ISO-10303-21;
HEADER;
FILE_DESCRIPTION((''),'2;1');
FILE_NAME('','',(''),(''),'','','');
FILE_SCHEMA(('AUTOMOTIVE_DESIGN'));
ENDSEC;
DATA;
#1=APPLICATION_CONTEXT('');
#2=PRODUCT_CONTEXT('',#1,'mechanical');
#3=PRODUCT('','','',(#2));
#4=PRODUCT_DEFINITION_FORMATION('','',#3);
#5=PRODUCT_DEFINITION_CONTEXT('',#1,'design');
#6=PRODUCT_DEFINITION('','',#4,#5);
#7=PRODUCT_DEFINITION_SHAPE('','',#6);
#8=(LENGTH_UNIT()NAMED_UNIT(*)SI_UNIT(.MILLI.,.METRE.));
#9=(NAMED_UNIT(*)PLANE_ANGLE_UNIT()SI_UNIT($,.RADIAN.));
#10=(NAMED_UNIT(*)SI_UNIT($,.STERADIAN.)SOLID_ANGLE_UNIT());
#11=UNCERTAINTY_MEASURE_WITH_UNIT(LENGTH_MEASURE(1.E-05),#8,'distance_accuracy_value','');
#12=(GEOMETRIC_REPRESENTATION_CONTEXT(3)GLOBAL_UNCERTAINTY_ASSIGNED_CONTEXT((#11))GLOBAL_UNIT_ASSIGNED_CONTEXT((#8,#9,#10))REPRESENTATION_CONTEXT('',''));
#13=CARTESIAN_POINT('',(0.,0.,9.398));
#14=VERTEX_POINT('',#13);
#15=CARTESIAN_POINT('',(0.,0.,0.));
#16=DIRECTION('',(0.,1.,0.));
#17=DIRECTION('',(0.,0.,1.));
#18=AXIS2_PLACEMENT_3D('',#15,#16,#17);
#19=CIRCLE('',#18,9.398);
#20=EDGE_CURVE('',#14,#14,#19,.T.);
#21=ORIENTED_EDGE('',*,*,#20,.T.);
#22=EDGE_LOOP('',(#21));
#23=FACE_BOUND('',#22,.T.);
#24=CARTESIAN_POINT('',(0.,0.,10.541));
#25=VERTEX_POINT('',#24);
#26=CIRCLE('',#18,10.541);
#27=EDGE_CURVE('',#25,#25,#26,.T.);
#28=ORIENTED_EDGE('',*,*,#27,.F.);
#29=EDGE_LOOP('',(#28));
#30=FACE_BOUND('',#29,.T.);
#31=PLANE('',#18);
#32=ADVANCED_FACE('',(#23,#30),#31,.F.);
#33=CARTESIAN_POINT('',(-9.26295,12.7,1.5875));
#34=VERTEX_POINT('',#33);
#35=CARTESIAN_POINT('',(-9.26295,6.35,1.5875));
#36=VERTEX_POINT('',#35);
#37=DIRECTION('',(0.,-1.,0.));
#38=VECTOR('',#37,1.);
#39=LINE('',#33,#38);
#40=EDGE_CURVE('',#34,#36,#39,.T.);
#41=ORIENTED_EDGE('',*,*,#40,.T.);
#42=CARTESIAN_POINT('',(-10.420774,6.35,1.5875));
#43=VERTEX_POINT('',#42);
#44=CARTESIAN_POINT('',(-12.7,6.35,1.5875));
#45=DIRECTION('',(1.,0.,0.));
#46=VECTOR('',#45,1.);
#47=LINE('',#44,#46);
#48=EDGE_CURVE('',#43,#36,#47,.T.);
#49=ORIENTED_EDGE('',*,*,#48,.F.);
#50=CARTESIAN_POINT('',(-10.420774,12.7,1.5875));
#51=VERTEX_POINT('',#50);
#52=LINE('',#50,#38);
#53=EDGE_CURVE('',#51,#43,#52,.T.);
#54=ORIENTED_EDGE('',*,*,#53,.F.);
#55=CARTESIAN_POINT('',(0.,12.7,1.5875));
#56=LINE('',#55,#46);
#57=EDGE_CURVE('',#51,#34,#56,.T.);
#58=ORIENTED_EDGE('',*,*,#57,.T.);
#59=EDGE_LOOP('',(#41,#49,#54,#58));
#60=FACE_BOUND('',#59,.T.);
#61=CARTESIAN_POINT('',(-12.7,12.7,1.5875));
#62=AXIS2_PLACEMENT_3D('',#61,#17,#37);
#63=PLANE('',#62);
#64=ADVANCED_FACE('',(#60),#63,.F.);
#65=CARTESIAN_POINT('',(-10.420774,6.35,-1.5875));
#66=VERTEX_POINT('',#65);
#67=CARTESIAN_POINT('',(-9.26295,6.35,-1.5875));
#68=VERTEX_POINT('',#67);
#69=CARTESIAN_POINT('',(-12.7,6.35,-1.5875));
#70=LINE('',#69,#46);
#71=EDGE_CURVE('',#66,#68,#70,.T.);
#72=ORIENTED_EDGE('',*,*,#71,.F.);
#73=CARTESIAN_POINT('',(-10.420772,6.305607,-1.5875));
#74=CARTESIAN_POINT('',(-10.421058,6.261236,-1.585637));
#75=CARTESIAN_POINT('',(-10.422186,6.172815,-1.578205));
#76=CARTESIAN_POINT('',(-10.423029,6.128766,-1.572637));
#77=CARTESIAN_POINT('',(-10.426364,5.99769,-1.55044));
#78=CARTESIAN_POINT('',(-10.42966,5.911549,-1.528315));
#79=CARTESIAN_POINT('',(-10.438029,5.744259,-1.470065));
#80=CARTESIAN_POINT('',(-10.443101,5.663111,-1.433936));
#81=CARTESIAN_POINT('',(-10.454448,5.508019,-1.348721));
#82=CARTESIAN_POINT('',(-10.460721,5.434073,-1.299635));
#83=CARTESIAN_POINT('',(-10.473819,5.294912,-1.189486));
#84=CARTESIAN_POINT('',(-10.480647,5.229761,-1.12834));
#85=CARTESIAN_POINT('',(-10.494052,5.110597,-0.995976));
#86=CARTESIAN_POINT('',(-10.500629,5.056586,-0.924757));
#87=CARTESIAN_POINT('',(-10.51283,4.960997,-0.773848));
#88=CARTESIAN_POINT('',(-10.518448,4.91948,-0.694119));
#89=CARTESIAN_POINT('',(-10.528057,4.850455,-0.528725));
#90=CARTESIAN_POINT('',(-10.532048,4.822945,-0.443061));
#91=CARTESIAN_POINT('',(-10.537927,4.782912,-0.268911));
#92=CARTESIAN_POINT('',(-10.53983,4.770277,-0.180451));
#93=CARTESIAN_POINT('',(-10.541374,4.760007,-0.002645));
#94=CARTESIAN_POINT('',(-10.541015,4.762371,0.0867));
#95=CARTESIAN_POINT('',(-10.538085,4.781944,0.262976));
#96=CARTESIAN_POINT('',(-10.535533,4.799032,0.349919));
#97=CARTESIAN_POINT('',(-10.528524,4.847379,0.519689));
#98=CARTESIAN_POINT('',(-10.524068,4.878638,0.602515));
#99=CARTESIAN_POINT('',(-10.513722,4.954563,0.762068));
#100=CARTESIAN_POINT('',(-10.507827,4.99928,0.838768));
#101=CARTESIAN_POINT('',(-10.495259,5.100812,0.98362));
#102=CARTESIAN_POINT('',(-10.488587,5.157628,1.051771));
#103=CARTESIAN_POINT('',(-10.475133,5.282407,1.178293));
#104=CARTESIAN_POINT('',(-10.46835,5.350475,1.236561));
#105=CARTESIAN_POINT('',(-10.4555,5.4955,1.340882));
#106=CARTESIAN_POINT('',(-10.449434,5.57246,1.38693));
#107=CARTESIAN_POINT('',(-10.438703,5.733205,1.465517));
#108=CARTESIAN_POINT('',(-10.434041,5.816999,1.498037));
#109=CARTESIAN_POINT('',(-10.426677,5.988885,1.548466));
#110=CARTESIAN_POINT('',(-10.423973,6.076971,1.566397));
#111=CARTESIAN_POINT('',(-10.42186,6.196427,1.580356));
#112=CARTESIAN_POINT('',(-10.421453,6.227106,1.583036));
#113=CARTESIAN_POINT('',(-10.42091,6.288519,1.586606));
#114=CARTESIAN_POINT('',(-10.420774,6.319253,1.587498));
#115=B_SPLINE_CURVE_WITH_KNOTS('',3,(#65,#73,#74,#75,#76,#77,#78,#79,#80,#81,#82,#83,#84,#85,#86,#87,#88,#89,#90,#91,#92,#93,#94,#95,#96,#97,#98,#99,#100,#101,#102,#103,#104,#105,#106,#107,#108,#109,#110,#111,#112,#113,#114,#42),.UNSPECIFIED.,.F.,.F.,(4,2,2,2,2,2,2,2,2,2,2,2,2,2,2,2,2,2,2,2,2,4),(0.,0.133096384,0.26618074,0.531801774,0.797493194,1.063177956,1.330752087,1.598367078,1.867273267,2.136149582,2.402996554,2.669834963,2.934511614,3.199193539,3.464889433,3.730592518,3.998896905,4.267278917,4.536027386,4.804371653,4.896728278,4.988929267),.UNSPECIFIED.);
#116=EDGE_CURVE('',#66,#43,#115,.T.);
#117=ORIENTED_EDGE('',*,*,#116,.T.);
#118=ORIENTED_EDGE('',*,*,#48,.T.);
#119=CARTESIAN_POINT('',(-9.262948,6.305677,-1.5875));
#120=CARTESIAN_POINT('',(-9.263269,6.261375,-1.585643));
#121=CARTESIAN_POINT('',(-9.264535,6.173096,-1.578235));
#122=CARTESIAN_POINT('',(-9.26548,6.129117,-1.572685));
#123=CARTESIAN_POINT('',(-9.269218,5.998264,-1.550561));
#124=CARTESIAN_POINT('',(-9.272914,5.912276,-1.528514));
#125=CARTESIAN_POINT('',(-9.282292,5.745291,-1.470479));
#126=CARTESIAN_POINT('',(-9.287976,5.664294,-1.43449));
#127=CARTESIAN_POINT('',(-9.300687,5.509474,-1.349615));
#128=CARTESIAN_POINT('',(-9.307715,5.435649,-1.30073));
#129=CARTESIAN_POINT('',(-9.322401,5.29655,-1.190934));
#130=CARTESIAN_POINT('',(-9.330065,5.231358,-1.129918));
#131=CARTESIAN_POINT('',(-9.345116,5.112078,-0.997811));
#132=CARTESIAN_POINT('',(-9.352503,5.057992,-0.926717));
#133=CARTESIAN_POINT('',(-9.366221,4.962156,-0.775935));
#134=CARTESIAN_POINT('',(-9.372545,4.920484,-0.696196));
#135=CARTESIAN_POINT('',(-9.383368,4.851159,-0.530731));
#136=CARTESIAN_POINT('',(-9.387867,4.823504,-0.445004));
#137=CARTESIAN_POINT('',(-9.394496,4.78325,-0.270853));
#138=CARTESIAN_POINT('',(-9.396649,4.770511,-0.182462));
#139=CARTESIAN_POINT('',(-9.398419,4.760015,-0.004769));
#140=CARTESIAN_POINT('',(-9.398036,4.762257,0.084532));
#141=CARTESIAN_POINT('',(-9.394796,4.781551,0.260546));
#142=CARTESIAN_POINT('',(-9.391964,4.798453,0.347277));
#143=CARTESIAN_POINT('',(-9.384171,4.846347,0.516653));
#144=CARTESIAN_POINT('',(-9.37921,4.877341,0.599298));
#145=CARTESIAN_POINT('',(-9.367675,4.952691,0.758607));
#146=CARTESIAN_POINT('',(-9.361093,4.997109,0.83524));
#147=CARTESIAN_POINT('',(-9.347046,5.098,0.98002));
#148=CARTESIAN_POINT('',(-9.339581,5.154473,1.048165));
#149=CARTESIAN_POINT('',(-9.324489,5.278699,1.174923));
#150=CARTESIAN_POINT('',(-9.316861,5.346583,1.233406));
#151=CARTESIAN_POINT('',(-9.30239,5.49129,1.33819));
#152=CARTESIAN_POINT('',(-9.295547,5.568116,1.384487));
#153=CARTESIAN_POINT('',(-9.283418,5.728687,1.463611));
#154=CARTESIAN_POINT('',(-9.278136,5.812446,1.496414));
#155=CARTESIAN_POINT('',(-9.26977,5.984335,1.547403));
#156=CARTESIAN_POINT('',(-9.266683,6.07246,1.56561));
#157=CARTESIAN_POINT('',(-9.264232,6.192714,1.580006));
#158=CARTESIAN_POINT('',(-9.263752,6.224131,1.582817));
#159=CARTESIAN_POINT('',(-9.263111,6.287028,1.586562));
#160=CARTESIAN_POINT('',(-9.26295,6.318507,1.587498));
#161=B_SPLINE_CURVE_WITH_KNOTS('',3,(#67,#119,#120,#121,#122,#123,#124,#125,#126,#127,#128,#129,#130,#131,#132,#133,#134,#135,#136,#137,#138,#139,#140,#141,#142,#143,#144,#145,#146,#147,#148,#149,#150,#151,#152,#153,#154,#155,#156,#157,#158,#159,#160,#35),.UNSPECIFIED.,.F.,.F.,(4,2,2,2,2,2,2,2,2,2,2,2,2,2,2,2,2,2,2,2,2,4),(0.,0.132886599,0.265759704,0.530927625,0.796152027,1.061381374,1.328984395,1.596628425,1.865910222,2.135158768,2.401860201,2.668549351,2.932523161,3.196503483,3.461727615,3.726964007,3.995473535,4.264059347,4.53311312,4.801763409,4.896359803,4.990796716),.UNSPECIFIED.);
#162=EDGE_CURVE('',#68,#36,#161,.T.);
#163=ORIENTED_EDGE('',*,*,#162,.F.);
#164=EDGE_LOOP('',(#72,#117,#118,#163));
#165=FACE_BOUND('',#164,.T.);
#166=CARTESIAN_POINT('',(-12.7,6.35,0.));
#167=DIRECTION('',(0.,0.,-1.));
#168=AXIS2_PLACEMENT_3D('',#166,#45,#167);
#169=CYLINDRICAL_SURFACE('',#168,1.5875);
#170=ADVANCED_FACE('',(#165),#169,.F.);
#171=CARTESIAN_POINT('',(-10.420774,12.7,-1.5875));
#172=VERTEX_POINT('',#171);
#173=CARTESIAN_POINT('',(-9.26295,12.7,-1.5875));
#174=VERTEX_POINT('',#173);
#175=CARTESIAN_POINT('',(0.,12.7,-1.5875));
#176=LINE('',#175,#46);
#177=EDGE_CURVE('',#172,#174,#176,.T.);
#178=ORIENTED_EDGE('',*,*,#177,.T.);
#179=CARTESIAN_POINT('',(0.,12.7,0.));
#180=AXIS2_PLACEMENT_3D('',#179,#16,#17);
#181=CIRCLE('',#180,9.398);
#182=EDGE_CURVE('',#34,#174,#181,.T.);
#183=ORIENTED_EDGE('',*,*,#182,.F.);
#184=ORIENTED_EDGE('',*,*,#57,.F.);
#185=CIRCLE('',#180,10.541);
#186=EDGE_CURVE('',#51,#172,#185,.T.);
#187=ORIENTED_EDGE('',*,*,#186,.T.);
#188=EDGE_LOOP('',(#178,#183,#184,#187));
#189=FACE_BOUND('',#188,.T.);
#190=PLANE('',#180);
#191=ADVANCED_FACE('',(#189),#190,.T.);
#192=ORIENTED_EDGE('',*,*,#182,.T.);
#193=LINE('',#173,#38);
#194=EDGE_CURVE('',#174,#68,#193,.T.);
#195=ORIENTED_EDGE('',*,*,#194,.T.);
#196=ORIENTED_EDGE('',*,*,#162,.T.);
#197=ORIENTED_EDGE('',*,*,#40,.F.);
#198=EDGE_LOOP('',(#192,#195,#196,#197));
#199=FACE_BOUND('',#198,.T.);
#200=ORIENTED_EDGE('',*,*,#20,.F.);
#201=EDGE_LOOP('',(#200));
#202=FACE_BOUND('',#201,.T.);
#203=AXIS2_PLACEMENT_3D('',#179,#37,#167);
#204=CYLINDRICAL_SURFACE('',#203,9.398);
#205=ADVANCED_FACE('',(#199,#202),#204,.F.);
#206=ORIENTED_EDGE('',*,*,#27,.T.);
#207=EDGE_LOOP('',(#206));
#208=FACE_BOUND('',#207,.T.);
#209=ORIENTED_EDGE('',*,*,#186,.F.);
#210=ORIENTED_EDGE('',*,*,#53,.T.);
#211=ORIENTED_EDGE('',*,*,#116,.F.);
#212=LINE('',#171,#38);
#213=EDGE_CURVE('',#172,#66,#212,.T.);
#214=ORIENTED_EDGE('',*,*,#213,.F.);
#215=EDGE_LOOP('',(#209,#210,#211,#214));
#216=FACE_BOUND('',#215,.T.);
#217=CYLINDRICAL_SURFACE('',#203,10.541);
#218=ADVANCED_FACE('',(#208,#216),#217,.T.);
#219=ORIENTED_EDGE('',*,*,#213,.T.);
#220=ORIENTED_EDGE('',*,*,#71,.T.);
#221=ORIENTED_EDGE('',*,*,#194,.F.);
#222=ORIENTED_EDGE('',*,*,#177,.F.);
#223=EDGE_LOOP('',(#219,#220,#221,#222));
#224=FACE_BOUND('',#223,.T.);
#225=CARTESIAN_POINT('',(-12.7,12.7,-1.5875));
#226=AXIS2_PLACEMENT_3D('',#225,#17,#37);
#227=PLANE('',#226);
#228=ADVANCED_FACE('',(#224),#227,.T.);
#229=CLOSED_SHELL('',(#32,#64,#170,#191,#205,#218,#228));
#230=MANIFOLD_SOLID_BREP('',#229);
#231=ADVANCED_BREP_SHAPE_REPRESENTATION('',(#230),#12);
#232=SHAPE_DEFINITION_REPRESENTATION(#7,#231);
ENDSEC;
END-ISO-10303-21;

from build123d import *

# Parameters (mm, degrees)
SKETCH1_R           = 10.541
SKETCH1_R_2         = 9.398
BOSS_EXTRUDE1_DEPTH = 12.7
CUT_EXTRUDE1_DEPTH  = 12.7


with BuildPart() as part:
    # Sketch1 → Boss-Extrude1 (new body)
    with BuildSketch(Plane(origin=(0, 0, 0), x_dir=(1, 0, 0), z_dir=(0, 1, 0))):
        Circle(SKETCH1_R)
        Circle(SKETCH1_R_2, mode=Mode.SUBTRACT)
    extrude(amount=BOSS_EXTRUDE1_DEPTH)

    # Sketch2 → Cut-Extrude1 (cut)
    with BuildSketch(Plane(origin=(0, 0, 0), x_dir=(0, 0, -1), z_dir=(1, 0, 0))):
        with BuildLine():
            Line((-1.5875, 12.7), (1.5875, 12.7))
            Line((1.5875, 12.7), (1.5875, 6.35))
            ThreePointArc((1.5875, 6.35), (0, 4.7625), (-1.5875, 6.35))
            Line((-1.5875, 6.35), (-1.5875, 12.7))
        make_face()
    extrude(amount=-CUT_EXTRUDE1_DEPTH, mode=Mode.SUBTRACT)


solid = part.part
